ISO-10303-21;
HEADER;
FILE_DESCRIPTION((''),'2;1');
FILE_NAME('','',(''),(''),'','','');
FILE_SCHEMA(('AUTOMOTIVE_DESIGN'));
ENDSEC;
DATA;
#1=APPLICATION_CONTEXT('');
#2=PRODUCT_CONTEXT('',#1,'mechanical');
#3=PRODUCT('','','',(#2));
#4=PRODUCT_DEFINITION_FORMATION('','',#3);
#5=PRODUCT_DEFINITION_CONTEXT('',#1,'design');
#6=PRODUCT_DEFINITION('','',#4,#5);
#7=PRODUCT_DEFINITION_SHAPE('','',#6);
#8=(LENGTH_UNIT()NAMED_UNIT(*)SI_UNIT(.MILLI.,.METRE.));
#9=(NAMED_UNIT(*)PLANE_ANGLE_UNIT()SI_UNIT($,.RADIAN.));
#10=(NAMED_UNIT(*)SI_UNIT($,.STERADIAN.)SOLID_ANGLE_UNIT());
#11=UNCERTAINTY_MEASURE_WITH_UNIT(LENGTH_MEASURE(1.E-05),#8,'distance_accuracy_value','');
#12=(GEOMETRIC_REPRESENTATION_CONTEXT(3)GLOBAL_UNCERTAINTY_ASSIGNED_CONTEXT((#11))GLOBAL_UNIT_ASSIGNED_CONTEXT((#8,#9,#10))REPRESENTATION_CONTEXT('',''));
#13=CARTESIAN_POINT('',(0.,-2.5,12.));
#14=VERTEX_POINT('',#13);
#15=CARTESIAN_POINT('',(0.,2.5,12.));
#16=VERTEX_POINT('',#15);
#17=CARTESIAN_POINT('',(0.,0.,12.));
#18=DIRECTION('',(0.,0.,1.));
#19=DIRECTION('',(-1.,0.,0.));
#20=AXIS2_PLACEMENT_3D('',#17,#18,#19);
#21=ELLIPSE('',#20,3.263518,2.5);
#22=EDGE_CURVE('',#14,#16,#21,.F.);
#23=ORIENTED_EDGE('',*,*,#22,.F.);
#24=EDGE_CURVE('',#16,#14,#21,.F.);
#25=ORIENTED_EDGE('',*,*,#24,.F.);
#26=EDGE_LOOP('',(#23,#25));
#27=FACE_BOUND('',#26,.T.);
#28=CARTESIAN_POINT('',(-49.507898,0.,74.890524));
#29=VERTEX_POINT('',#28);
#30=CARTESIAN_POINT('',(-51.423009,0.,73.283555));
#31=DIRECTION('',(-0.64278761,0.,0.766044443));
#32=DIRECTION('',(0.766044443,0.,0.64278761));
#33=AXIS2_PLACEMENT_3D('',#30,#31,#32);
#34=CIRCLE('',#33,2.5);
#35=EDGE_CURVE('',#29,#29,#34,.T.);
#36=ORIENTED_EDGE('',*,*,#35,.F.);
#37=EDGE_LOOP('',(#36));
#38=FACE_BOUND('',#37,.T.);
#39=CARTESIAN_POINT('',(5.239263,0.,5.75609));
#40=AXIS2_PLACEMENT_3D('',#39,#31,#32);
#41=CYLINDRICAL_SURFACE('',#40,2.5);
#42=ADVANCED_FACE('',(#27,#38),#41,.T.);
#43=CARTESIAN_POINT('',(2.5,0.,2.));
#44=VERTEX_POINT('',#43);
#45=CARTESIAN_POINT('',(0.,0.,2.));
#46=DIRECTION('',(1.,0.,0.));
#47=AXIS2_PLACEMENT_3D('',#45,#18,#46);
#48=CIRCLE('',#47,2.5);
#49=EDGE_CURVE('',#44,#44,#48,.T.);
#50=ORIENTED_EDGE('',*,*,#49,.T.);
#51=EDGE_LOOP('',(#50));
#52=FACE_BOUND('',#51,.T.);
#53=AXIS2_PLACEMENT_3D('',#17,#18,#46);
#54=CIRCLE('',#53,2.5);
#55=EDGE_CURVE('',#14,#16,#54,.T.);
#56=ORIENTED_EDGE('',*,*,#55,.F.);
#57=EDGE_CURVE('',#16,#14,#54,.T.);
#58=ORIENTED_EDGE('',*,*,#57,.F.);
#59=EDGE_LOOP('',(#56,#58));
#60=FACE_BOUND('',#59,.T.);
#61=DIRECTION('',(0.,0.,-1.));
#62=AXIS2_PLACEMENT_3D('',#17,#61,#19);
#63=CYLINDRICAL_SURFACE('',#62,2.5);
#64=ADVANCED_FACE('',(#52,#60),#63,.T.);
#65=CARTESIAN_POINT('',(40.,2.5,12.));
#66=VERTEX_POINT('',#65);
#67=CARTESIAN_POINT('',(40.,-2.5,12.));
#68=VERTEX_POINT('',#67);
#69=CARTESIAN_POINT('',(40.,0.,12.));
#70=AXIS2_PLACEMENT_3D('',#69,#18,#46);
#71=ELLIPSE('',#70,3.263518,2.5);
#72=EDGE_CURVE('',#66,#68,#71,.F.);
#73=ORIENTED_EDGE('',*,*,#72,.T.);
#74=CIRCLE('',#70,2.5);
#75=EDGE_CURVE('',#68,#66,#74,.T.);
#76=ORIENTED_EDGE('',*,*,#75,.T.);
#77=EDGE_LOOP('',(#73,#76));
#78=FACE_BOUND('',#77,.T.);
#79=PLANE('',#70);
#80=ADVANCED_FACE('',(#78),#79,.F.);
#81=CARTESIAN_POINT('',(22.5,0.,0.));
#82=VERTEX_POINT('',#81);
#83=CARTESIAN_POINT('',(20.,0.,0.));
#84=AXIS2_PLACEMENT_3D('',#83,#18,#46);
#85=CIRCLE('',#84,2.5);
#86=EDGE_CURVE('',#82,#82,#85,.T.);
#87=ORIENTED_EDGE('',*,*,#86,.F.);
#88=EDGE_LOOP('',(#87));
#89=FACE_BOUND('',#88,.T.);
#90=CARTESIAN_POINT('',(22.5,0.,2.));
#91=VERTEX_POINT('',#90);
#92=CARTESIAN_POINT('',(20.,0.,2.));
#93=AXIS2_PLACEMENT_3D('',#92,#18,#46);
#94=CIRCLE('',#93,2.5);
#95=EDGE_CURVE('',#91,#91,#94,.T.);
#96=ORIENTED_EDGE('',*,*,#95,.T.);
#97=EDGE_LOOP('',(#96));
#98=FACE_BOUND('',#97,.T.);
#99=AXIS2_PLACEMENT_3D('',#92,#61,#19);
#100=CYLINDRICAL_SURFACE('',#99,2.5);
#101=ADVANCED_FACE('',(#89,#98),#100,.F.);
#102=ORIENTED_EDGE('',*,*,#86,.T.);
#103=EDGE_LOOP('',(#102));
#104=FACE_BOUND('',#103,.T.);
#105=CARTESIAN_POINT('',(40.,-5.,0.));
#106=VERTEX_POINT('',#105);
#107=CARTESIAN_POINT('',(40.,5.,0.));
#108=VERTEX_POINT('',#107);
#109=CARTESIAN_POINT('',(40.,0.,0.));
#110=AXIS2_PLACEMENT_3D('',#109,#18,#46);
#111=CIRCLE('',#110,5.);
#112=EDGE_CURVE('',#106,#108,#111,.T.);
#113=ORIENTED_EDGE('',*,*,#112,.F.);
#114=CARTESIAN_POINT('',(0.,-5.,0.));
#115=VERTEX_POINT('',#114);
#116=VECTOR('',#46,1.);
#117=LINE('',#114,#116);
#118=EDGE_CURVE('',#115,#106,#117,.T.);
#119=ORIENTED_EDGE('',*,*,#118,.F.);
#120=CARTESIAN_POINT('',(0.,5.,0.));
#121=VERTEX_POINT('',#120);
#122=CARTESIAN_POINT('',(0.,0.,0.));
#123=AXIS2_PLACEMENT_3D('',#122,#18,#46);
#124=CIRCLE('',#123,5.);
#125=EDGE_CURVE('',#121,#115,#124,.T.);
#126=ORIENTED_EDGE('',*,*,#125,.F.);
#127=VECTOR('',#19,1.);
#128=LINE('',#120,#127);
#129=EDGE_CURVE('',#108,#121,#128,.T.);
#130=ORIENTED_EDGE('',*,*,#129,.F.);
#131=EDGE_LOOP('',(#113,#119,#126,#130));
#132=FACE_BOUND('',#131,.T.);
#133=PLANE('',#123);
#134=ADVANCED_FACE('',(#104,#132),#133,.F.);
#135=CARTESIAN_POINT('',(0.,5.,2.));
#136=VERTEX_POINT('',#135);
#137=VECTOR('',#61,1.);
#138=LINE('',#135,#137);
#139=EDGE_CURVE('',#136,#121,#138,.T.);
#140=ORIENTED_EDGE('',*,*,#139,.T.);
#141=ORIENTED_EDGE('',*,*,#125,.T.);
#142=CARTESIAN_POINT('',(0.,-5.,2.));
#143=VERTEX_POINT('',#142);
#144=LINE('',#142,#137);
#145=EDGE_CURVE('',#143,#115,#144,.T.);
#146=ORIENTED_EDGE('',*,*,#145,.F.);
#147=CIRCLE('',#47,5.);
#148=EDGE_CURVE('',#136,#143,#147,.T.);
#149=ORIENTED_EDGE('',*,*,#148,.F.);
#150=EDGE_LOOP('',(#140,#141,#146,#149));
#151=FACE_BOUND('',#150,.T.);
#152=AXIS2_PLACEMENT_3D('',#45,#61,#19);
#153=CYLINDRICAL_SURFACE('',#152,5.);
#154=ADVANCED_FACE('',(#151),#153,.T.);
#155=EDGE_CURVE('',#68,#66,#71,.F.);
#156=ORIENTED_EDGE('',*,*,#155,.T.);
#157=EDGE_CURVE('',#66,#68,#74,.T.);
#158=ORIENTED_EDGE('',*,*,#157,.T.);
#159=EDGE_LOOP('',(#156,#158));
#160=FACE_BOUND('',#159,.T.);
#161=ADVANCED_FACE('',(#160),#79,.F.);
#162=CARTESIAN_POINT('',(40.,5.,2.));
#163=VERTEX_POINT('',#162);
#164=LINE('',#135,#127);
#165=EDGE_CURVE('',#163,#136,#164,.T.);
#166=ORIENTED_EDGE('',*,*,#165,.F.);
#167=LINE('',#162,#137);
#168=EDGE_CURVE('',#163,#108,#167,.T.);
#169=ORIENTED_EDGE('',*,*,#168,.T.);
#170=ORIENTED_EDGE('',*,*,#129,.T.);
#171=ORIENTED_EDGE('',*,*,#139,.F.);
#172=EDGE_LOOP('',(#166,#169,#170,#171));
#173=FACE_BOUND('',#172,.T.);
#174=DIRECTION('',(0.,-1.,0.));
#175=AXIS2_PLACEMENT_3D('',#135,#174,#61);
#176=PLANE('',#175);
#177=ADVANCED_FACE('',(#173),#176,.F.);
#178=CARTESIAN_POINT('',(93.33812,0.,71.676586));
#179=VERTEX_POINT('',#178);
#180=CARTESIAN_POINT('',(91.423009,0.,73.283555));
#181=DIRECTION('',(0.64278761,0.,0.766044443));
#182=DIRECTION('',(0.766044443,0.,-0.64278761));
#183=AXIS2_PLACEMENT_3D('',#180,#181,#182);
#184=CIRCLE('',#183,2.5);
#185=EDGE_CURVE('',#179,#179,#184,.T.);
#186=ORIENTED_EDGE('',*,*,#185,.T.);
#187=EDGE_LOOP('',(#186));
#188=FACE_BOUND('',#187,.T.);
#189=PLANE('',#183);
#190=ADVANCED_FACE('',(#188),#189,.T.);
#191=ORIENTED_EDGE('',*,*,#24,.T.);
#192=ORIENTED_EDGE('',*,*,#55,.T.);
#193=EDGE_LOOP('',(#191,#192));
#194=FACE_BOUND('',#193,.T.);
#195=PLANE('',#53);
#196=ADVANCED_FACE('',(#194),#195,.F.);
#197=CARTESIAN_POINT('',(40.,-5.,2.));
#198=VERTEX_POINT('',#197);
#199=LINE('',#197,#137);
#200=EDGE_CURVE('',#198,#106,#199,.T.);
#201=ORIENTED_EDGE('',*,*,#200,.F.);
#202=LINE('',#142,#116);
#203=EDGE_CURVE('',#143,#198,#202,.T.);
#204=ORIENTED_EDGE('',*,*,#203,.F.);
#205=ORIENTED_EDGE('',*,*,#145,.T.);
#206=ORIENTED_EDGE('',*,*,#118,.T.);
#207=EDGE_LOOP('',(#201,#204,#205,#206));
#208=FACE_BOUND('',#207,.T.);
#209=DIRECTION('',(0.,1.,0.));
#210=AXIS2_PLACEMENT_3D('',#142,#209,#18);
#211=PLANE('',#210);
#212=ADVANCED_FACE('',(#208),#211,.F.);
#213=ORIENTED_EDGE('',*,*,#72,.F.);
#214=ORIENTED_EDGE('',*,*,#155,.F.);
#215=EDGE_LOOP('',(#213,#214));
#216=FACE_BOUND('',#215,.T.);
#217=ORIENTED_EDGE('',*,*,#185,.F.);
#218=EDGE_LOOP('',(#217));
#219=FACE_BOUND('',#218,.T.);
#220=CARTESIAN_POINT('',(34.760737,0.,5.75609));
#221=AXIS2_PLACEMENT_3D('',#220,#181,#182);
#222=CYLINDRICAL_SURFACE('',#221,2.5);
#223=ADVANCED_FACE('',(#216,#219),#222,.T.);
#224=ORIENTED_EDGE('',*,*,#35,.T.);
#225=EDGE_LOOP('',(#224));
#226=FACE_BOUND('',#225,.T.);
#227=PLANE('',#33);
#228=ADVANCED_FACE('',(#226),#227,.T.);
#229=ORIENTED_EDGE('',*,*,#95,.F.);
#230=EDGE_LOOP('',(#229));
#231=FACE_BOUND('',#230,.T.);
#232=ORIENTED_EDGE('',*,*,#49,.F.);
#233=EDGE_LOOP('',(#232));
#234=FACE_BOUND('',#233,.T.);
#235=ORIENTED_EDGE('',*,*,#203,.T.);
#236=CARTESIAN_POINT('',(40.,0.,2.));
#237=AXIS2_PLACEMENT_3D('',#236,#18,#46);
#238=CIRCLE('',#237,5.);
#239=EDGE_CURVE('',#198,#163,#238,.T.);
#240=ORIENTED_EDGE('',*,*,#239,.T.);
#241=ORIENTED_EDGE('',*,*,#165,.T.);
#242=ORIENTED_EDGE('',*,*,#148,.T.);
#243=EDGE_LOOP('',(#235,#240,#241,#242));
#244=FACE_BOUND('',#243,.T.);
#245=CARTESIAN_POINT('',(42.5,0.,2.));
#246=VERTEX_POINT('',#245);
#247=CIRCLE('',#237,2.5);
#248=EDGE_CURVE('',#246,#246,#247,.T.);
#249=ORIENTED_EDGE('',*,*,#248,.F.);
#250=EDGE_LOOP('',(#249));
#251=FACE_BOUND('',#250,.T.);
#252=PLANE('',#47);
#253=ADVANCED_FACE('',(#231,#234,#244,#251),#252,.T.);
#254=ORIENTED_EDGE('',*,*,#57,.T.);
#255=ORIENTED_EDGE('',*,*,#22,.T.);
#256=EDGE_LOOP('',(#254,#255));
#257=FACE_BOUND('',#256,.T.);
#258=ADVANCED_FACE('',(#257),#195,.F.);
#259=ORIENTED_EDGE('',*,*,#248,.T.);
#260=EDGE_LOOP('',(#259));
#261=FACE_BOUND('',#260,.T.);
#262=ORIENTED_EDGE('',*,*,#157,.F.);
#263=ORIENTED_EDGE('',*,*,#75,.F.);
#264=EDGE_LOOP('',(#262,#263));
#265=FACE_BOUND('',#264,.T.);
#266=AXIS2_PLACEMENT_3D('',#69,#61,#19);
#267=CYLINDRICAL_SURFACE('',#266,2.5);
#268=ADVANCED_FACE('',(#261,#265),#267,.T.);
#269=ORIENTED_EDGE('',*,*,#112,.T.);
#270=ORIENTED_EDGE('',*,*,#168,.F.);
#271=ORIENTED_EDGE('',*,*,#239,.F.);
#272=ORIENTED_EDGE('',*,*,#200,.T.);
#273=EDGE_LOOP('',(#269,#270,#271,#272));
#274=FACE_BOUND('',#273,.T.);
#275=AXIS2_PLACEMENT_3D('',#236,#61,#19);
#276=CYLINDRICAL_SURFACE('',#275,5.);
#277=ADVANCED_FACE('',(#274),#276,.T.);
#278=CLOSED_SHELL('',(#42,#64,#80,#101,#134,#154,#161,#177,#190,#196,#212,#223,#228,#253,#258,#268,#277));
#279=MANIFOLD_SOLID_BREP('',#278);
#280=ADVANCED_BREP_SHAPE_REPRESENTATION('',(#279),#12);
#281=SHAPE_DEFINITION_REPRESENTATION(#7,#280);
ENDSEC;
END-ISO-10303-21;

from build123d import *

# Parameters (mm, degrees)
SKETCH1_R           = 2.5
BOSS_EXTRUDE1_DEPTH = 2
SKETCH2_R           = 2.5
BOSS_EXTRUDE2_DEPTH = 10
BOSS_EXTRUDE3_REACH = 123.214
SKETCH4_R           = 2.5
BOSS_EXTRUDE4_REACH = 164.331
SKETCH5_R           = 2.5


with BuildPart() as part:
    # Sketch1 → Boss-Extrude1 (new body)
    with BuildSketch(Plane.XY):
        with BuildLine():
            Line((0, 5), (40, 5))
            ThreePointArc((40, 5), (45, 0), (40, -5))
            Line((40, -5), (0, -5))
            ThreePointArc((0, -5), (-5, 0), (0, 5))
        make_face()
        with Locations((20, 0)):
            Circle(SKETCH1_R, mode=Mode.SUBTRACT)
    extrude(amount=BOSS_EXTRUDE1_DEPTH)

    # Sketch2 → Boss-Extrude2 (add)
    with BuildSketch(Plane.XY.offset(2)):
        Circle(SKETCH2_R)
        with Locations((40, 0)):
            Circle(SKETCH2_R)
    extrude(amount=BOSS_EXTRUDE2_DEPTH)

    # Boss-Extrude3: up to this plane
    boss_extrude3_end = Plane(origin=(0, 0, 12), z_dir=(0, 0, 1))
    # Sketch4 → Boss-Extrude3 (add, up to the surface)
    with BuildSketch(Plane(origin=(-51.423008775, 0, 73.28355545), x_dir=(0.7660444431189768, 0, 0.6427876096865409), z_dir=(-0.6427876096865408, 0, 0.7660444431189767)), mode=Mode.PRIVATE) as boss_extrude3_sk1:
        Circle(SKETCH4_R)
    boss_extrude3_tool1 = split(extrude(boss_extrude3_sk1.sketch, amount=-BOSS_EXTRUDE3_REACH, mode=Mode.PRIVATE), bisect_by=boss_extrude3_end, keep=Keep.BOTH, mode=Mode.PRIVATE)
    add(boss_extrude3_tool1.solids().sort_by_distance((-51.423009, 0, 73.283555))[0])

    # Boss-Extrude4: up to this plane
    boss_extrude4_end = Plane(origin=(40, 0, 12), z_dir=(0, 0, 1))
    # Sketch5 → Boss-Extrude4 (add, up to the surface)
    with BuildSketch(Plane(origin=(91.423008775, 0, 73.28355545), x_dir=(0.7660444431189772, 0, -0.6427876096865404), z_dir=(0.6427876096865403, 0, 0.7660444431189771)), mode=Mode.PRIVATE) as boss_extrude4_sk1:
        Circle(SKETCH5_R)
    boss_extrude4_tool1 = split(extrude(boss_extrude4_sk1.sketch, amount=-BOSS_EXTRUDE4_REACH, mode=Mode.PRIVATE), bisect_by=boss_extrude4_end, keep=Keep.BOTH, mode=Mode.PRIVATE)
    add(boss_extrude4_tool1.solids().sort_by_distance((91.423009, 0, 73.283555))[0])


solid = part.part
